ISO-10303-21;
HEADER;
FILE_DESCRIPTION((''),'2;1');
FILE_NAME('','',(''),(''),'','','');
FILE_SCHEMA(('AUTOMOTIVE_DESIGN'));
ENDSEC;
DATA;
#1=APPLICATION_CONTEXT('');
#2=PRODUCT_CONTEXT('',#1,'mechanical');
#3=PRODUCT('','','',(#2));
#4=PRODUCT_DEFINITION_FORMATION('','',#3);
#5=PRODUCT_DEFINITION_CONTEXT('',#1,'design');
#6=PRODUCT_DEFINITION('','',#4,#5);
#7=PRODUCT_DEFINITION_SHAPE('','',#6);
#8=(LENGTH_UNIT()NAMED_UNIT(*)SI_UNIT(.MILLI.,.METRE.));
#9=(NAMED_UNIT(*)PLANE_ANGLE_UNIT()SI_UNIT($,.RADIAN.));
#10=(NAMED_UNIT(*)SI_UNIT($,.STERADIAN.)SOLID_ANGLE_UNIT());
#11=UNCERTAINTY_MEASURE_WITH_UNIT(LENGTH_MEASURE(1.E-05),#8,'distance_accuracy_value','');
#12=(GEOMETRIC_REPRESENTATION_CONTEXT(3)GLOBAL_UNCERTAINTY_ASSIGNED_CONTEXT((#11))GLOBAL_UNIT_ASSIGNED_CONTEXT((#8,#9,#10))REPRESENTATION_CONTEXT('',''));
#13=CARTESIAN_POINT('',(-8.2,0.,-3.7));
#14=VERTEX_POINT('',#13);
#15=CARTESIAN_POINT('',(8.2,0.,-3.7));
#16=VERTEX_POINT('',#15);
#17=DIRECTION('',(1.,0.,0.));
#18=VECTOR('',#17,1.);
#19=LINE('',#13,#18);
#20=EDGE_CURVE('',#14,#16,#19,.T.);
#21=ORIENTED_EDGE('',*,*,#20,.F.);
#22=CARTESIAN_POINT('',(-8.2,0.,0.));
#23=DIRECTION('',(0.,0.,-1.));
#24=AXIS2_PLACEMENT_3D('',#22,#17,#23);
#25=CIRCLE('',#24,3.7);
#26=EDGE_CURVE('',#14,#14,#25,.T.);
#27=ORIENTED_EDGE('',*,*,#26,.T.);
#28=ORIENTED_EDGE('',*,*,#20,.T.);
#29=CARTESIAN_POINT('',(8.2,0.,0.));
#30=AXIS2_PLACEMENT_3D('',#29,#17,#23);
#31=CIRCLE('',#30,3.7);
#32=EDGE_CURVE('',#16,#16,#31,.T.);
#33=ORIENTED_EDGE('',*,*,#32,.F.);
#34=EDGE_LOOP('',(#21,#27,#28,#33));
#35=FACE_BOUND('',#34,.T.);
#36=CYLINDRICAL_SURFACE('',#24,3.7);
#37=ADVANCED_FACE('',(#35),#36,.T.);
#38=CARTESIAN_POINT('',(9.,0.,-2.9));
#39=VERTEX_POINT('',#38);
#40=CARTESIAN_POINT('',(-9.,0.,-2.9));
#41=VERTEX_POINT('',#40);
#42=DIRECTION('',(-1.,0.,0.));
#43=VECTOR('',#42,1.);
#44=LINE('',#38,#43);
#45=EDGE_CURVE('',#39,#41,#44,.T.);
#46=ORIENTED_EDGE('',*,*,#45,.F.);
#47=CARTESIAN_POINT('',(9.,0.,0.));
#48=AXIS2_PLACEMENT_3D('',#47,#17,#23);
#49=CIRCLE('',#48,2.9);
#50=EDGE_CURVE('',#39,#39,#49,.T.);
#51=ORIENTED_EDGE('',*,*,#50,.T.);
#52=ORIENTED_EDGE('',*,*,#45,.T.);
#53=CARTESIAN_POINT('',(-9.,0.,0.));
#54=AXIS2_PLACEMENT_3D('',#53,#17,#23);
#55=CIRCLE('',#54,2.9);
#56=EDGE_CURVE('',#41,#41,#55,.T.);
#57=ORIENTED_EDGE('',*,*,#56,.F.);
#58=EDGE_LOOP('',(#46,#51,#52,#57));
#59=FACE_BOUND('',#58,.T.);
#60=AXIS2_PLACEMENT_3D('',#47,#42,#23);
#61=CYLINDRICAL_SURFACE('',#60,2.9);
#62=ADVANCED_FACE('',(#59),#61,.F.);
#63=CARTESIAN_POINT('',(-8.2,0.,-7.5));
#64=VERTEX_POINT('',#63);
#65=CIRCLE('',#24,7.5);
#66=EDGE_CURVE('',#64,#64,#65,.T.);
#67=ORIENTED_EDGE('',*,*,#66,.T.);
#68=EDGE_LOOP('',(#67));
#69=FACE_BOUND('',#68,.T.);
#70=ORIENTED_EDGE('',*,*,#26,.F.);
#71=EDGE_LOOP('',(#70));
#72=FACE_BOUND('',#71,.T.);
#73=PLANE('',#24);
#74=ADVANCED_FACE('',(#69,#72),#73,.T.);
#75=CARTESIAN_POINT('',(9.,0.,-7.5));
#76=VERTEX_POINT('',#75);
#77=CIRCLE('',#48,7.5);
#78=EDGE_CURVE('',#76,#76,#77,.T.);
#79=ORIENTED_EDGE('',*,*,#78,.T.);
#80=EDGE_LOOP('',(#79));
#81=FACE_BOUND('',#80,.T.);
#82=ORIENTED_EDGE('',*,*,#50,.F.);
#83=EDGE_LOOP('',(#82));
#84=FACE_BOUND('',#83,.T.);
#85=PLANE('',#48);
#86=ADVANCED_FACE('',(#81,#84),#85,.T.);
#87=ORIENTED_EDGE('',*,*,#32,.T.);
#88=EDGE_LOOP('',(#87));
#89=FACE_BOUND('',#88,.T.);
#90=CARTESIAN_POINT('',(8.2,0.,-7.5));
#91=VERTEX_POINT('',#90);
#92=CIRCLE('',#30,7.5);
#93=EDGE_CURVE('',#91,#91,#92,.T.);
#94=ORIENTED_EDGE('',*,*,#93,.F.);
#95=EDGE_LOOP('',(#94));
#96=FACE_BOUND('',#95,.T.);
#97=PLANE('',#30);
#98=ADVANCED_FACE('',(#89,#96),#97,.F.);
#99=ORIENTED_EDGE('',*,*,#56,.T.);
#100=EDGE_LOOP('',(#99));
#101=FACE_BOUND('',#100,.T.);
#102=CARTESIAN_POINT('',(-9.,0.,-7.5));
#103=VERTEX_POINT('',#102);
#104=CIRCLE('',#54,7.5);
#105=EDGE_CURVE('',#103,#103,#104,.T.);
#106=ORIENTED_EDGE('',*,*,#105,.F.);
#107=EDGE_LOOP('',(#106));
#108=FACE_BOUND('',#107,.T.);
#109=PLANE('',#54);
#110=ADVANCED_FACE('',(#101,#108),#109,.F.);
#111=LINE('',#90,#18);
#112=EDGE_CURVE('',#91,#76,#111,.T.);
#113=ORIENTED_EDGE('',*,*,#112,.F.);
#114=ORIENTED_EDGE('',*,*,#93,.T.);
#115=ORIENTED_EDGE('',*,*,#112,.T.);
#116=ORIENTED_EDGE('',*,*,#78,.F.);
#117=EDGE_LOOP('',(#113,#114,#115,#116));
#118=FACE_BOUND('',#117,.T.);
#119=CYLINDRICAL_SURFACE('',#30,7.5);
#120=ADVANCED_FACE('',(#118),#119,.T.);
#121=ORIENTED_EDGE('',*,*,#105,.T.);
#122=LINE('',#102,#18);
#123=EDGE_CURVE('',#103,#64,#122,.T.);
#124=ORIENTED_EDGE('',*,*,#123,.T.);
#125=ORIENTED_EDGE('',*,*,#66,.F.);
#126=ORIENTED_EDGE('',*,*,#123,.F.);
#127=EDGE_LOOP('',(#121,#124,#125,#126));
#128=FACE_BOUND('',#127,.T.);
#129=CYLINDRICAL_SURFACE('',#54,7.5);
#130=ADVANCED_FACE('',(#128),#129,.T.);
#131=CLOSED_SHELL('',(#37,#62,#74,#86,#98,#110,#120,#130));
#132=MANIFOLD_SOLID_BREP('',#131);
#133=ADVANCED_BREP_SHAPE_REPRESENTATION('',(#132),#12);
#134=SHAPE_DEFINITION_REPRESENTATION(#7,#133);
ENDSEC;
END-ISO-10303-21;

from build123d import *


with BuildPart() as part:
    # Sketch → Revolution (revolve)
    with BuildSketch(Plane.XZ):
        Polygon((-9, -2.9), (-9, -7.5), (-8.2, -7.5), (-8.2, -3.7), (8.2, -3.7), (8.2, -7.5), (9, -7.5), (9, -2.9), align=None)
    revolve(axis=Axis((0, 0, 0), (1, 0, 0)))


solid = part.part
